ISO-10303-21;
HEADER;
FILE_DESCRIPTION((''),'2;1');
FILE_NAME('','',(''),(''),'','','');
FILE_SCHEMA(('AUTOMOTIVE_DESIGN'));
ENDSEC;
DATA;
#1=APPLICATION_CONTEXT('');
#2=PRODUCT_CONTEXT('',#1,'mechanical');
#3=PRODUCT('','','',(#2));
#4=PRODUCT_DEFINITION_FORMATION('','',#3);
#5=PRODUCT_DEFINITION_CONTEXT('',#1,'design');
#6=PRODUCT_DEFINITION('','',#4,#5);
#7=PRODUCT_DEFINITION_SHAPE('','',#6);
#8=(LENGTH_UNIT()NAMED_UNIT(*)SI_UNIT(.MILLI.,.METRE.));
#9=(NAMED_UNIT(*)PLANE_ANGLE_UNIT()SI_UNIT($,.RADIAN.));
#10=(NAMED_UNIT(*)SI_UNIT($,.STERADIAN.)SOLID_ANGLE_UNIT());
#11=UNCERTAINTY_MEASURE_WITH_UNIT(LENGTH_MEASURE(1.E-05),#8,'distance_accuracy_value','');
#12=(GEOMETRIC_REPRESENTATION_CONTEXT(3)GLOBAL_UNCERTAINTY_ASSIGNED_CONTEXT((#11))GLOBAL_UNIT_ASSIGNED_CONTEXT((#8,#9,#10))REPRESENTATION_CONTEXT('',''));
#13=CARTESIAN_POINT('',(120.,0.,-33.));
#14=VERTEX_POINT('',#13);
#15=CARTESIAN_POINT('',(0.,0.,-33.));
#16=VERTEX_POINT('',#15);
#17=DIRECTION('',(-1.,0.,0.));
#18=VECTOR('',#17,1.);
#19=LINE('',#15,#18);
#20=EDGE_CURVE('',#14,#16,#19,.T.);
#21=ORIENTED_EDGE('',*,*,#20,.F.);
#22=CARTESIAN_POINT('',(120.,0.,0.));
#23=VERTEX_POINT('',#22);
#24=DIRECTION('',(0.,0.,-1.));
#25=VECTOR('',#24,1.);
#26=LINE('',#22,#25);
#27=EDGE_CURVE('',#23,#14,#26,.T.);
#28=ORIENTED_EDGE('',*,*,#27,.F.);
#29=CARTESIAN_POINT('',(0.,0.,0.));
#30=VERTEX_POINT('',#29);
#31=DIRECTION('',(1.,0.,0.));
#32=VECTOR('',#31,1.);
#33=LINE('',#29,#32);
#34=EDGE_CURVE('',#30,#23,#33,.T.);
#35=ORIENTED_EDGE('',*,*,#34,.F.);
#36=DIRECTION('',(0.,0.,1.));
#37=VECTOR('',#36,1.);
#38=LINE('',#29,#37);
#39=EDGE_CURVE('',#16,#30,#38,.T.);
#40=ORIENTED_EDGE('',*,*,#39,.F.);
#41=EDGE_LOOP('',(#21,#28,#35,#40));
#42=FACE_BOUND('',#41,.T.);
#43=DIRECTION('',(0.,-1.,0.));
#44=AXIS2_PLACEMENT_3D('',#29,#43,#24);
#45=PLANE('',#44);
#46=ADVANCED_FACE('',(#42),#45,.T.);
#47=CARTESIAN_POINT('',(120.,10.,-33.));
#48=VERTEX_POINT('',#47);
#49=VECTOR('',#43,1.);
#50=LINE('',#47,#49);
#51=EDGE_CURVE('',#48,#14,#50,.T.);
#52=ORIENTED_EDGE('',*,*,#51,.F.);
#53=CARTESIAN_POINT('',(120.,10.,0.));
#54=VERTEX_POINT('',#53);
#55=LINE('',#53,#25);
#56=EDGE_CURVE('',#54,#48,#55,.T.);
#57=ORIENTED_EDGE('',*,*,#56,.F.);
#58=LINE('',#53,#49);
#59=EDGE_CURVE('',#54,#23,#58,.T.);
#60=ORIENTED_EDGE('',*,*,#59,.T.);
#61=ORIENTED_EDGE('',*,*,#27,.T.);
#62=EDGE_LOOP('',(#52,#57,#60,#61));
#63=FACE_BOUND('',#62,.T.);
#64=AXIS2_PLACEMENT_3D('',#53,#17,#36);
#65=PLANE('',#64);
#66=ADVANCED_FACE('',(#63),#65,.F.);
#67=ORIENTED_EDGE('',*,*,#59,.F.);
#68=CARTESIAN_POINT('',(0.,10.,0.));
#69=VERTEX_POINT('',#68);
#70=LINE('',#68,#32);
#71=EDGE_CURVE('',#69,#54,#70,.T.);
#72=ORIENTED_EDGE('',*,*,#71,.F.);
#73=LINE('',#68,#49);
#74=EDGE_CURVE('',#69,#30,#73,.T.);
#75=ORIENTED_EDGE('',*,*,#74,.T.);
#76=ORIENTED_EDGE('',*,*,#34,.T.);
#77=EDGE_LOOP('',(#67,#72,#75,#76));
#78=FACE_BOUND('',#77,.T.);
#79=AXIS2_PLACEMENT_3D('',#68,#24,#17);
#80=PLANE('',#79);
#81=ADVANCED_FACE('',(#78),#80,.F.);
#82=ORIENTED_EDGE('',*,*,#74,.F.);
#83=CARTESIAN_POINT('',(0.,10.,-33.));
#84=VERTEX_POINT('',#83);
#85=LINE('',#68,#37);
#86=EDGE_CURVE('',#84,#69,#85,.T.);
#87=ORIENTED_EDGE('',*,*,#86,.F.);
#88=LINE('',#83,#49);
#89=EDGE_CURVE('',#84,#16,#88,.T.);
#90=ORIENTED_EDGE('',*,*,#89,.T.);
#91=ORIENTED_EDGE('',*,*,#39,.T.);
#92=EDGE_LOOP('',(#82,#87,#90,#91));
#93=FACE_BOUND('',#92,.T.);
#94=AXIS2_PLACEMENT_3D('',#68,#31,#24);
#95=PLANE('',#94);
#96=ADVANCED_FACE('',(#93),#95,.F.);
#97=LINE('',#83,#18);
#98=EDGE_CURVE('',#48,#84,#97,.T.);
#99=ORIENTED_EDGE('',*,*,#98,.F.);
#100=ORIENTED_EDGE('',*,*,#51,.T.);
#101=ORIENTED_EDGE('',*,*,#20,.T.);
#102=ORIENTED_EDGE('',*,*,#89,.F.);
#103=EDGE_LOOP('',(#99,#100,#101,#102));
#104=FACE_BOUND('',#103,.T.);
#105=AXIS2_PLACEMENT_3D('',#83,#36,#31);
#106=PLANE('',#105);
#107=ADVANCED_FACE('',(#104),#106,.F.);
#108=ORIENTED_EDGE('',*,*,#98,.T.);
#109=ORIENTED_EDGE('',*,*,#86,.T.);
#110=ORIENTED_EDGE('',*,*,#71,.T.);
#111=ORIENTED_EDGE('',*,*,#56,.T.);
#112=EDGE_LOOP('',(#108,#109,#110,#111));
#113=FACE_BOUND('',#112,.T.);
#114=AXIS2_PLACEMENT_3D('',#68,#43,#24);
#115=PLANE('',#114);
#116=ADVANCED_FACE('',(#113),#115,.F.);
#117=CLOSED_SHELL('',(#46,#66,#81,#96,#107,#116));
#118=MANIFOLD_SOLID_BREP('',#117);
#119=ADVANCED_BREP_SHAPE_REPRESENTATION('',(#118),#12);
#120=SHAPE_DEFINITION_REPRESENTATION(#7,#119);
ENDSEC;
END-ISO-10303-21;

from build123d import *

# Parameters (mm, degrees)
SKETCH2_W           = 120
SKETCH2_H           = 33
BOSS_EXTRUDE1_DEPTH = 10


with BuildPart() as part:
    # Sketch2 → Boss-Extrude1 (new body)
    with BuildSketch(Plane(origin=(0, 0, 0), x_dir=(1, 0, 0), z_dir=(0, 1, 0))):
        with Locations((60, 16.5)):
            Rectangle(SKETCH2_W, SKETCH2_H)
    extrude(amount=BOSS_EXTRUDE1_DEPTH)


solid = part.part
